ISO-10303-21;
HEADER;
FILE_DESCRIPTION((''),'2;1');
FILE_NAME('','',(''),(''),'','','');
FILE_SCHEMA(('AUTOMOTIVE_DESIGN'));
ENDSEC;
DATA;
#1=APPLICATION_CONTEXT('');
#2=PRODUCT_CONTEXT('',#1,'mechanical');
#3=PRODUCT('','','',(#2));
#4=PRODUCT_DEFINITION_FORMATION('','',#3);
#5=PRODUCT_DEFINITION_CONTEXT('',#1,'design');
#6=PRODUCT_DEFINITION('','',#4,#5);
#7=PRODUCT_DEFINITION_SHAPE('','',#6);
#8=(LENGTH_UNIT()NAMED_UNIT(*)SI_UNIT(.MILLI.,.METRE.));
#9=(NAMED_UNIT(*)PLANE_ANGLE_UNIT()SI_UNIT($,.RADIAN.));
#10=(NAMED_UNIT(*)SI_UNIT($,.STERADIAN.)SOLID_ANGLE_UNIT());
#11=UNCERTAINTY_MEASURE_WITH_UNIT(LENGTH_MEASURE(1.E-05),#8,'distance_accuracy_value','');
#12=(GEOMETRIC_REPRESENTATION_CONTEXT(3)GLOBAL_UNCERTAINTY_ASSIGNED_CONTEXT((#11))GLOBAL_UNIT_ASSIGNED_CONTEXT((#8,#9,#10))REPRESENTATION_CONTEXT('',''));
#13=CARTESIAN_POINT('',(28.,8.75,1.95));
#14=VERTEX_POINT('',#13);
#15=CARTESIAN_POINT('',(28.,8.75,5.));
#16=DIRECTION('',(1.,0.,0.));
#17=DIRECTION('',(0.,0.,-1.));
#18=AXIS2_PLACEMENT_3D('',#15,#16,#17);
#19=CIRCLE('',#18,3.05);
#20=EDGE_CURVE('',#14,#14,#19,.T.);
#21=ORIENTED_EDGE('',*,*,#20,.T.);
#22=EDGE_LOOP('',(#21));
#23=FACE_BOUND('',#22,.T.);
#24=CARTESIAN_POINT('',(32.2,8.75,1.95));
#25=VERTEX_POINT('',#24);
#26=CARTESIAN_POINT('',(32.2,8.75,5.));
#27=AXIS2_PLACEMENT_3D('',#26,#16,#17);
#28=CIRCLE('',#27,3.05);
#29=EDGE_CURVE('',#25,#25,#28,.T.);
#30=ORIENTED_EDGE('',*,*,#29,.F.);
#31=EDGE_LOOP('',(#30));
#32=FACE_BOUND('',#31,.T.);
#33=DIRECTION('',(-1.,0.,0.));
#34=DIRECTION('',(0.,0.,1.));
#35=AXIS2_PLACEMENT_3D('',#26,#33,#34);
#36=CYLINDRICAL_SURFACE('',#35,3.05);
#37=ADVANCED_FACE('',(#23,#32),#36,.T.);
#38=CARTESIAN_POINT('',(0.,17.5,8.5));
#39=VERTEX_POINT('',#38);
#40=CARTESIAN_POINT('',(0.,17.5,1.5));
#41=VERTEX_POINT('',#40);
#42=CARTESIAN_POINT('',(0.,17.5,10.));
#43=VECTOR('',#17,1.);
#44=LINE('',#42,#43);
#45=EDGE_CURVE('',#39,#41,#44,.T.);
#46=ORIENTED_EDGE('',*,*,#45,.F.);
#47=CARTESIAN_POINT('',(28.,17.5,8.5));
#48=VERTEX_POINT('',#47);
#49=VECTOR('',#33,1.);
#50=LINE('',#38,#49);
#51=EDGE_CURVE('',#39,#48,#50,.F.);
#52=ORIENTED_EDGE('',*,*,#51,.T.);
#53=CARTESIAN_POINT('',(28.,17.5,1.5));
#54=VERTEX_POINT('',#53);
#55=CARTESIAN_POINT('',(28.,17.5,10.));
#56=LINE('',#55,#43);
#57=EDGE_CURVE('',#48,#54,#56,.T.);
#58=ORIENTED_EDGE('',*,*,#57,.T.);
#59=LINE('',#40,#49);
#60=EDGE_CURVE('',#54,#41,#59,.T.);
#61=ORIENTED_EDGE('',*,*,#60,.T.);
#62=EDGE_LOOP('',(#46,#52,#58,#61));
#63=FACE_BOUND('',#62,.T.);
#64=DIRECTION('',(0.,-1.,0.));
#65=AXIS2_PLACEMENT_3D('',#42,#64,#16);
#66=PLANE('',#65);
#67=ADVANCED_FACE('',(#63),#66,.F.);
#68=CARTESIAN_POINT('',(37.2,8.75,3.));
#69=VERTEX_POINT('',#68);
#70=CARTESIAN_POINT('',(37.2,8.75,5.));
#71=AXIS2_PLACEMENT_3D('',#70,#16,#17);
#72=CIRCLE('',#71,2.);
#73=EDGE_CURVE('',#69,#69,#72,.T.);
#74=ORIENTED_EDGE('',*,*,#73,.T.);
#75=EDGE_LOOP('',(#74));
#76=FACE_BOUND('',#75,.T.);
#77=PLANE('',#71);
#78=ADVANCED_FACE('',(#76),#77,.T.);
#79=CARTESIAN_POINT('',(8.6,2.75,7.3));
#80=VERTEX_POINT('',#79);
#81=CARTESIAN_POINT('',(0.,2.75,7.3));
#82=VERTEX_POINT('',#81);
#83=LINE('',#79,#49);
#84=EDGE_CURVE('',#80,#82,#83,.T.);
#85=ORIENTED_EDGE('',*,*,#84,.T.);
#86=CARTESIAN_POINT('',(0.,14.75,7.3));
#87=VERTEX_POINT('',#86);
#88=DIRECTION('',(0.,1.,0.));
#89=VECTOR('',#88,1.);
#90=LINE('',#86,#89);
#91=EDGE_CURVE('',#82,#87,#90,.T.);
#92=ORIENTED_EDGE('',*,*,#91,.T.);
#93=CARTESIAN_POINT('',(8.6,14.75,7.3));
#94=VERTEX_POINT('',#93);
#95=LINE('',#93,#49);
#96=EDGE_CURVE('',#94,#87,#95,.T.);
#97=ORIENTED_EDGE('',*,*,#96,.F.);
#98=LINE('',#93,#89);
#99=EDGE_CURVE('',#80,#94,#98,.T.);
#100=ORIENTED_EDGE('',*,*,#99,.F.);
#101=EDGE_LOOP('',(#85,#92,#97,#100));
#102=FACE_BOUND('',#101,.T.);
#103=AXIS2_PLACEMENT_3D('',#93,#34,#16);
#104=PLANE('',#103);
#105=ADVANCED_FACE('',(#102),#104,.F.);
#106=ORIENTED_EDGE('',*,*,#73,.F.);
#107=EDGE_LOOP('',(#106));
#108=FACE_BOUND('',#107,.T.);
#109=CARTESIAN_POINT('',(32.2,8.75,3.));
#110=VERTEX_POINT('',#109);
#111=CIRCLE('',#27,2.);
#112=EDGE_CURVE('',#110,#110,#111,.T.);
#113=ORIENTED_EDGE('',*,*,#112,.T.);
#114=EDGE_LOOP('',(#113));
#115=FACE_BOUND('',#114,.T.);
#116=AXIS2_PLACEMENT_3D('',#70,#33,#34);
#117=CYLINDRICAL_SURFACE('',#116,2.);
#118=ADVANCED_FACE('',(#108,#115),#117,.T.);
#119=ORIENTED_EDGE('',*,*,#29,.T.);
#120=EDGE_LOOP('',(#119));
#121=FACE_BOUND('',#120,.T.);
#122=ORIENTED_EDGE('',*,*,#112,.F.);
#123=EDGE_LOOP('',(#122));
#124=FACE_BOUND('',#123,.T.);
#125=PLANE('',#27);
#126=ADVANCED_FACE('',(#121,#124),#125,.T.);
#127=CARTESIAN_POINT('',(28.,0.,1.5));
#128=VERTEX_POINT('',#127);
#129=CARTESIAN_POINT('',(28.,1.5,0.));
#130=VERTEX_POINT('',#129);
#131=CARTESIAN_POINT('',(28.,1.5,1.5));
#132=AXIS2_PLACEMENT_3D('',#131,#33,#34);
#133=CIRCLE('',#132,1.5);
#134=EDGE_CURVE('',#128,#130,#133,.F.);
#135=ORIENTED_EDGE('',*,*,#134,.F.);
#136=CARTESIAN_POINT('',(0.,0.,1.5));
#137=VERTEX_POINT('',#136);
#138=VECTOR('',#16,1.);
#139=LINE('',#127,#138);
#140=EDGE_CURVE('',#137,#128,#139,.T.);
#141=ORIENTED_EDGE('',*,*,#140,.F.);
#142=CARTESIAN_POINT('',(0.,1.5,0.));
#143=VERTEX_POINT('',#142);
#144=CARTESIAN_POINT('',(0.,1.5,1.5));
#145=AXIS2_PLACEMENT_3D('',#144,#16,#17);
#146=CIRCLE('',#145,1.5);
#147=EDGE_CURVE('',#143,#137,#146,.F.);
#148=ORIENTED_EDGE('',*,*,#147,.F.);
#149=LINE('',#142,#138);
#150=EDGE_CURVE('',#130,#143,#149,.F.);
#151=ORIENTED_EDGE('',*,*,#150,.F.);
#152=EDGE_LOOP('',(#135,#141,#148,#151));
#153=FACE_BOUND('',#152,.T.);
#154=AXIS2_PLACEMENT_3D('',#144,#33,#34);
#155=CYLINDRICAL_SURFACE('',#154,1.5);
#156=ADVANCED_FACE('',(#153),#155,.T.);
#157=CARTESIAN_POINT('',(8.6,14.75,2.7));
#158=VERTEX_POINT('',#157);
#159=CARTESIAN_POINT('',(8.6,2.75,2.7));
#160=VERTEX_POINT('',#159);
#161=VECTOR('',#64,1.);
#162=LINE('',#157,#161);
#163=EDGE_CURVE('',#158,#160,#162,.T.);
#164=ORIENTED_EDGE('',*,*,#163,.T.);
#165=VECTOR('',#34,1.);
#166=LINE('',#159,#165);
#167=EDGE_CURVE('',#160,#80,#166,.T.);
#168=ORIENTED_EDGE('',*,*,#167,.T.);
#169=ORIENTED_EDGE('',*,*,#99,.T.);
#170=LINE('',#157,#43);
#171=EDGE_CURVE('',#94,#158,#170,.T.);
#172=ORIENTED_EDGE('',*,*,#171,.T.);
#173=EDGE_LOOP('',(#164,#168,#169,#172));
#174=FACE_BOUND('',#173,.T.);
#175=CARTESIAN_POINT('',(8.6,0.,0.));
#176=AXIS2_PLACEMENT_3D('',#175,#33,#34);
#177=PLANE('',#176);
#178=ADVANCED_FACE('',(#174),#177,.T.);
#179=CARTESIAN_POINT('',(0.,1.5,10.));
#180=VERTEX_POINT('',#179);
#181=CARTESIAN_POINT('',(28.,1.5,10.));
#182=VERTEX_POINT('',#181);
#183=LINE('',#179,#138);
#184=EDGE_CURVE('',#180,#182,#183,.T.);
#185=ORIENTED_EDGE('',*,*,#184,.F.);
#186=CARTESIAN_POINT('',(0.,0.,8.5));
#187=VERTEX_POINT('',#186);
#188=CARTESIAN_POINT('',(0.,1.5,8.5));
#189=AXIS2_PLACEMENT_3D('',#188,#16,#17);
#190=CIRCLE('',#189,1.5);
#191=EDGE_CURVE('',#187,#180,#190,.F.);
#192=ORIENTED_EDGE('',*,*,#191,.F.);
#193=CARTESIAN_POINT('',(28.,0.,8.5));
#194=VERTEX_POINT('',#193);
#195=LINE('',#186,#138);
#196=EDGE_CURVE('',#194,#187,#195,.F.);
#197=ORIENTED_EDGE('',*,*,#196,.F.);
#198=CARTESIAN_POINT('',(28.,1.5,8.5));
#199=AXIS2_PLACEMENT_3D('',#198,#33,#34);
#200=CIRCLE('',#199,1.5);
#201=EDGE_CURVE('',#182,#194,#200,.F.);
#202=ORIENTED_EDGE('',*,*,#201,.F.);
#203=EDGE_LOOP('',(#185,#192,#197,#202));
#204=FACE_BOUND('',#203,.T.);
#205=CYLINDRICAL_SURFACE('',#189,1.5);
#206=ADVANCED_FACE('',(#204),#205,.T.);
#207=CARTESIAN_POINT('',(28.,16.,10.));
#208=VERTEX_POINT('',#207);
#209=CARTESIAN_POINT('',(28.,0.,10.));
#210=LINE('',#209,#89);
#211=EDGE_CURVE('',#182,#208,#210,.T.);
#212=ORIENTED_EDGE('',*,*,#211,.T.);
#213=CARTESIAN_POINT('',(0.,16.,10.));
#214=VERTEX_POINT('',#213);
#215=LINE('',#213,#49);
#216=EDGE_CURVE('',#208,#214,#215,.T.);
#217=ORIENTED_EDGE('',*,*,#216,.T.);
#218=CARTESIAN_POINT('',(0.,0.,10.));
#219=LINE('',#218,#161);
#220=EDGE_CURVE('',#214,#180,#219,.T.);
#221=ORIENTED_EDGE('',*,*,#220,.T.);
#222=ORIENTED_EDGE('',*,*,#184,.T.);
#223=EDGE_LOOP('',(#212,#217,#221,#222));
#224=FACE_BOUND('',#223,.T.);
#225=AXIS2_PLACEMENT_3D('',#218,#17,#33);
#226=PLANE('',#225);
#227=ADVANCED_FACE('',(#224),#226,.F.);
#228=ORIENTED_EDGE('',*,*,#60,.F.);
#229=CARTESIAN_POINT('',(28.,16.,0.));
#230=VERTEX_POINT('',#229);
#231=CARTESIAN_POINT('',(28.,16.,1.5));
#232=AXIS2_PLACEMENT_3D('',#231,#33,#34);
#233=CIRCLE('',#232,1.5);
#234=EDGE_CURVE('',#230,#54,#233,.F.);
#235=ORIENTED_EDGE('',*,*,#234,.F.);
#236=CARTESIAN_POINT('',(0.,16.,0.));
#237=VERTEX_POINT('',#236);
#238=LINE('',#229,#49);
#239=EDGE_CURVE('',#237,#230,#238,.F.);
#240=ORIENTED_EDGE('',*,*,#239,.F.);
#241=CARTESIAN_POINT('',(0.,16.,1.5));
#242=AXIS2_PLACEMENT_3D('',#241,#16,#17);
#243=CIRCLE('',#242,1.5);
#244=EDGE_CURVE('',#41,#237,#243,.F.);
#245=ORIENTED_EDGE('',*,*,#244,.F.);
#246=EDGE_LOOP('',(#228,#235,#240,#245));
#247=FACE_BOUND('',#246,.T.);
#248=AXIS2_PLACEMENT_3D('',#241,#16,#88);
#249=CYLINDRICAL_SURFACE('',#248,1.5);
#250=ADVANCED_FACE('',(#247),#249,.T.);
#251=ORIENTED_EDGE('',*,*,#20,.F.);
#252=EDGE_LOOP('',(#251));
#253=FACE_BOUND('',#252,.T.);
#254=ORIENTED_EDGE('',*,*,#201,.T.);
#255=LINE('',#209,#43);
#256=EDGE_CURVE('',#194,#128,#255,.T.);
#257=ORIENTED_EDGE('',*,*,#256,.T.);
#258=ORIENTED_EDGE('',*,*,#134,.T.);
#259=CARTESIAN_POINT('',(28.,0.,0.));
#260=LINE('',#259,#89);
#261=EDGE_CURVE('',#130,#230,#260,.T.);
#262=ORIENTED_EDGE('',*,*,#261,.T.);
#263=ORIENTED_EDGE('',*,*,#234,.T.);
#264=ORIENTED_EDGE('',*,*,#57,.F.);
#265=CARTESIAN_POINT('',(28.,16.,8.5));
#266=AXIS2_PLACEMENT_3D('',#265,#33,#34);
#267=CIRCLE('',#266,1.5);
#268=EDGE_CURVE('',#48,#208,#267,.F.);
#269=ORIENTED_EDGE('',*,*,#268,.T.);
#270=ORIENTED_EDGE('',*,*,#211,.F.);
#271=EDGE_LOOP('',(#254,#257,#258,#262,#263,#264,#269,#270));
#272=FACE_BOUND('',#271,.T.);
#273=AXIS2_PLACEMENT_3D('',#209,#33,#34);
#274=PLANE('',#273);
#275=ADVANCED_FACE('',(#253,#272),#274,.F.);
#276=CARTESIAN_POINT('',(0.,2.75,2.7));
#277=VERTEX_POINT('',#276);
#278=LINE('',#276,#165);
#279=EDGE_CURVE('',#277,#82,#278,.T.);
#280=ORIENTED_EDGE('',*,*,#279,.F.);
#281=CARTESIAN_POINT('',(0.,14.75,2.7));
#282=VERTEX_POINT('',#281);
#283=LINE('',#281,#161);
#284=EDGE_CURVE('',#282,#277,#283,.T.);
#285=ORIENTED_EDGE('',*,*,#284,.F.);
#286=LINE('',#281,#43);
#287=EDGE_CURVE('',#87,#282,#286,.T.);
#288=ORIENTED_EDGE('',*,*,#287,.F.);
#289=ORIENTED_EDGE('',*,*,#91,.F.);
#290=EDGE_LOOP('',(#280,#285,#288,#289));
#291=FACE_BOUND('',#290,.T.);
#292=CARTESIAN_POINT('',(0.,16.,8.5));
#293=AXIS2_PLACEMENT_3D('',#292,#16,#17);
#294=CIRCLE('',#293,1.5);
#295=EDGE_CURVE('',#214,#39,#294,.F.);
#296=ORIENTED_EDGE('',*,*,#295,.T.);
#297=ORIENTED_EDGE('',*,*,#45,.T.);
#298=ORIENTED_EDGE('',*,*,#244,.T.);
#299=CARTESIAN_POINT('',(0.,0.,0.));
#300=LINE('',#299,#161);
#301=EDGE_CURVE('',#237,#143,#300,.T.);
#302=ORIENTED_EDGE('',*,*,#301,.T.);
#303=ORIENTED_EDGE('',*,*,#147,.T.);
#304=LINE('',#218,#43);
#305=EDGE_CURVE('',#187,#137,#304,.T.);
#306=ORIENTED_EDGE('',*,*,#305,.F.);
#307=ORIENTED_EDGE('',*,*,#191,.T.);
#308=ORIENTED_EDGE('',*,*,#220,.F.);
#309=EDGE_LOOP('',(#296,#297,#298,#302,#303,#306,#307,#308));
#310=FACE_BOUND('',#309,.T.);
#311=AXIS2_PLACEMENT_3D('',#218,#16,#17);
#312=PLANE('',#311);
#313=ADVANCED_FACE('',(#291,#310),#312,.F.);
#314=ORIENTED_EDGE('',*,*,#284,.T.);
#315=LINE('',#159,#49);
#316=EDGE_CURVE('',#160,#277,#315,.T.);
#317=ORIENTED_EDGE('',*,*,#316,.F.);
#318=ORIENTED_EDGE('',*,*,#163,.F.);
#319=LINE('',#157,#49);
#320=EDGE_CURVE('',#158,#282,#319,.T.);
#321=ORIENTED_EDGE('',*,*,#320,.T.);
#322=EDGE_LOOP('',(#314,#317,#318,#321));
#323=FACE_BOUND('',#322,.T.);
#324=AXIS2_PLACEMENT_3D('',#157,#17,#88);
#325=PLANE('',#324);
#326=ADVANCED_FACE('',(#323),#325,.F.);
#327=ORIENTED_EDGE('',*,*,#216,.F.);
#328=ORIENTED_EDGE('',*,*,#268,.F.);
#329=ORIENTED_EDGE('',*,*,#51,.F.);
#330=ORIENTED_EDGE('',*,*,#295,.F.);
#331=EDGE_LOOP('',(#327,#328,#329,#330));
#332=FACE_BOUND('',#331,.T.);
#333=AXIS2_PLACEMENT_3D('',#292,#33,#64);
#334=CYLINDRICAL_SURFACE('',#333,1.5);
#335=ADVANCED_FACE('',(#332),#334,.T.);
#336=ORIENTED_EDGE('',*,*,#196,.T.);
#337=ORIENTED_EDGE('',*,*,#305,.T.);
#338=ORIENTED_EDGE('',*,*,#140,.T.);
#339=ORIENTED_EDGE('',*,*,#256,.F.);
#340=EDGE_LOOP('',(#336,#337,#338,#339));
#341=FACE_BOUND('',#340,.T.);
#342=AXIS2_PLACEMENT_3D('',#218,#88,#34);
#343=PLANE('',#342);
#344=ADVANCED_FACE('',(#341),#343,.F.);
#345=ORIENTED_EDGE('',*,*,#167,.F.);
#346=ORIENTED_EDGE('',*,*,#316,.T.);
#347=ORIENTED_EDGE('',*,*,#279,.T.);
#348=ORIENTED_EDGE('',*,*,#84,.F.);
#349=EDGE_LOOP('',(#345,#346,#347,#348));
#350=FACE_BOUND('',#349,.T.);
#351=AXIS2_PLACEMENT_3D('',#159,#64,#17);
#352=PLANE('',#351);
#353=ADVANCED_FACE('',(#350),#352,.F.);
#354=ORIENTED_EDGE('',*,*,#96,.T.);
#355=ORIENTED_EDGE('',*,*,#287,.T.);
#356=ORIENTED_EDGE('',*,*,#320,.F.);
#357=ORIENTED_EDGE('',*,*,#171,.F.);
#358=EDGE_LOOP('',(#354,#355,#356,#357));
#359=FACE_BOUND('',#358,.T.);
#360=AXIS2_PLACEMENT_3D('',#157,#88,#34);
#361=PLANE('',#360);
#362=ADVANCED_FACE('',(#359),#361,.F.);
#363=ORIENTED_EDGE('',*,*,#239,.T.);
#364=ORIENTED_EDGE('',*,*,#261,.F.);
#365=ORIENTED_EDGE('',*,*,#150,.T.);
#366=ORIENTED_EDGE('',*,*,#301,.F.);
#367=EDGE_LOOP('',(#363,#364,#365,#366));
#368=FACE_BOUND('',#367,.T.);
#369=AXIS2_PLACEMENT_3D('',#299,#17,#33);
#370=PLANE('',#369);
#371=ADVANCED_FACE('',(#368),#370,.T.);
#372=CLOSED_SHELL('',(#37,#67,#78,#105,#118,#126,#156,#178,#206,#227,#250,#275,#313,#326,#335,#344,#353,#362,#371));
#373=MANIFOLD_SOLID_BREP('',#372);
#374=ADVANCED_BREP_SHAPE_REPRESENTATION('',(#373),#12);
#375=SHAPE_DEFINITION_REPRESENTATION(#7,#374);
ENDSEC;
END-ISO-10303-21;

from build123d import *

# Parameters (mm, degrees)
SKETCH1_W           = 28
SKETCH1_H           = 17.5
BOSS_EXTRUDE1_DEPTH = 10
SKETCH3_W           = 4.6
SKETCH3_H           = 12
CUT_EXTRUDE1_DEPTH  = 8.6
SKETCH4_R           = 3.05
BOSS_EXTRUDE2_DEPTH = 4.2
SKETCH5_R           = 2
BOSS_EXTRUDE3_DEPTH = 5
FILLET1_R           = 1.5


with BuildPart() as part:
    # Sketch1 → Boss-Extrude1 (new body)
    with BuildSketch(Plane.XY):
        with Locations((14, 8.75)):
            Rectangle(SKETCH1_W, SKETCH1_H)
    extrude(amount=BOSS_EXTRUDE1_DEPTH)

    # Sketch3 → Cut-Extrude1 (cut)
    with BuildSketch(Plane.ZY):
        with Locations((5, 8.75)):
            Rectangle(SKETCH3_W, SKETCH3_H)
    extrude(amount=-CUT_EXTRUDE1_DEPTH, mode=Mode.SUBTRACT)

    # Sketch4 → Boss-Extrude2 (add)
    with BuildSketch(Plane(origin=(28, 0, 0), x_dir=(0, 0, -1), z_dir=(1, 0, 0))):
        with Locations((-5, 8.75)):
            Circle(SKETCH4_R)
    extrude(amount=BOSS_EXTRUDE2_DEPTH)

    # Sketch5 → Boss-Extrude3 (add)
    with BuildSketch(Plane(origin=(32.2, 0, 0), x_dir=(0, 0, -1), z_dir=(1, 0, 0))):
        with Locations((-5, 8.75)):
            Circle(SKETCH5_R)
    extrude(amount=BOSS_EXTRUDE3_DEPTH)

    # Fillet1
    fillet1_edges = [part.edges().sort_by_distance(p)[0] for p in [
        (14, 17.5, 10),
        (14, 17.5, 0),
        (14, 0, 0),
        (14, 0, 10),
    ]]
    fillet(fillet1_edges, radius=FILLET1_R)


solid = part.part
